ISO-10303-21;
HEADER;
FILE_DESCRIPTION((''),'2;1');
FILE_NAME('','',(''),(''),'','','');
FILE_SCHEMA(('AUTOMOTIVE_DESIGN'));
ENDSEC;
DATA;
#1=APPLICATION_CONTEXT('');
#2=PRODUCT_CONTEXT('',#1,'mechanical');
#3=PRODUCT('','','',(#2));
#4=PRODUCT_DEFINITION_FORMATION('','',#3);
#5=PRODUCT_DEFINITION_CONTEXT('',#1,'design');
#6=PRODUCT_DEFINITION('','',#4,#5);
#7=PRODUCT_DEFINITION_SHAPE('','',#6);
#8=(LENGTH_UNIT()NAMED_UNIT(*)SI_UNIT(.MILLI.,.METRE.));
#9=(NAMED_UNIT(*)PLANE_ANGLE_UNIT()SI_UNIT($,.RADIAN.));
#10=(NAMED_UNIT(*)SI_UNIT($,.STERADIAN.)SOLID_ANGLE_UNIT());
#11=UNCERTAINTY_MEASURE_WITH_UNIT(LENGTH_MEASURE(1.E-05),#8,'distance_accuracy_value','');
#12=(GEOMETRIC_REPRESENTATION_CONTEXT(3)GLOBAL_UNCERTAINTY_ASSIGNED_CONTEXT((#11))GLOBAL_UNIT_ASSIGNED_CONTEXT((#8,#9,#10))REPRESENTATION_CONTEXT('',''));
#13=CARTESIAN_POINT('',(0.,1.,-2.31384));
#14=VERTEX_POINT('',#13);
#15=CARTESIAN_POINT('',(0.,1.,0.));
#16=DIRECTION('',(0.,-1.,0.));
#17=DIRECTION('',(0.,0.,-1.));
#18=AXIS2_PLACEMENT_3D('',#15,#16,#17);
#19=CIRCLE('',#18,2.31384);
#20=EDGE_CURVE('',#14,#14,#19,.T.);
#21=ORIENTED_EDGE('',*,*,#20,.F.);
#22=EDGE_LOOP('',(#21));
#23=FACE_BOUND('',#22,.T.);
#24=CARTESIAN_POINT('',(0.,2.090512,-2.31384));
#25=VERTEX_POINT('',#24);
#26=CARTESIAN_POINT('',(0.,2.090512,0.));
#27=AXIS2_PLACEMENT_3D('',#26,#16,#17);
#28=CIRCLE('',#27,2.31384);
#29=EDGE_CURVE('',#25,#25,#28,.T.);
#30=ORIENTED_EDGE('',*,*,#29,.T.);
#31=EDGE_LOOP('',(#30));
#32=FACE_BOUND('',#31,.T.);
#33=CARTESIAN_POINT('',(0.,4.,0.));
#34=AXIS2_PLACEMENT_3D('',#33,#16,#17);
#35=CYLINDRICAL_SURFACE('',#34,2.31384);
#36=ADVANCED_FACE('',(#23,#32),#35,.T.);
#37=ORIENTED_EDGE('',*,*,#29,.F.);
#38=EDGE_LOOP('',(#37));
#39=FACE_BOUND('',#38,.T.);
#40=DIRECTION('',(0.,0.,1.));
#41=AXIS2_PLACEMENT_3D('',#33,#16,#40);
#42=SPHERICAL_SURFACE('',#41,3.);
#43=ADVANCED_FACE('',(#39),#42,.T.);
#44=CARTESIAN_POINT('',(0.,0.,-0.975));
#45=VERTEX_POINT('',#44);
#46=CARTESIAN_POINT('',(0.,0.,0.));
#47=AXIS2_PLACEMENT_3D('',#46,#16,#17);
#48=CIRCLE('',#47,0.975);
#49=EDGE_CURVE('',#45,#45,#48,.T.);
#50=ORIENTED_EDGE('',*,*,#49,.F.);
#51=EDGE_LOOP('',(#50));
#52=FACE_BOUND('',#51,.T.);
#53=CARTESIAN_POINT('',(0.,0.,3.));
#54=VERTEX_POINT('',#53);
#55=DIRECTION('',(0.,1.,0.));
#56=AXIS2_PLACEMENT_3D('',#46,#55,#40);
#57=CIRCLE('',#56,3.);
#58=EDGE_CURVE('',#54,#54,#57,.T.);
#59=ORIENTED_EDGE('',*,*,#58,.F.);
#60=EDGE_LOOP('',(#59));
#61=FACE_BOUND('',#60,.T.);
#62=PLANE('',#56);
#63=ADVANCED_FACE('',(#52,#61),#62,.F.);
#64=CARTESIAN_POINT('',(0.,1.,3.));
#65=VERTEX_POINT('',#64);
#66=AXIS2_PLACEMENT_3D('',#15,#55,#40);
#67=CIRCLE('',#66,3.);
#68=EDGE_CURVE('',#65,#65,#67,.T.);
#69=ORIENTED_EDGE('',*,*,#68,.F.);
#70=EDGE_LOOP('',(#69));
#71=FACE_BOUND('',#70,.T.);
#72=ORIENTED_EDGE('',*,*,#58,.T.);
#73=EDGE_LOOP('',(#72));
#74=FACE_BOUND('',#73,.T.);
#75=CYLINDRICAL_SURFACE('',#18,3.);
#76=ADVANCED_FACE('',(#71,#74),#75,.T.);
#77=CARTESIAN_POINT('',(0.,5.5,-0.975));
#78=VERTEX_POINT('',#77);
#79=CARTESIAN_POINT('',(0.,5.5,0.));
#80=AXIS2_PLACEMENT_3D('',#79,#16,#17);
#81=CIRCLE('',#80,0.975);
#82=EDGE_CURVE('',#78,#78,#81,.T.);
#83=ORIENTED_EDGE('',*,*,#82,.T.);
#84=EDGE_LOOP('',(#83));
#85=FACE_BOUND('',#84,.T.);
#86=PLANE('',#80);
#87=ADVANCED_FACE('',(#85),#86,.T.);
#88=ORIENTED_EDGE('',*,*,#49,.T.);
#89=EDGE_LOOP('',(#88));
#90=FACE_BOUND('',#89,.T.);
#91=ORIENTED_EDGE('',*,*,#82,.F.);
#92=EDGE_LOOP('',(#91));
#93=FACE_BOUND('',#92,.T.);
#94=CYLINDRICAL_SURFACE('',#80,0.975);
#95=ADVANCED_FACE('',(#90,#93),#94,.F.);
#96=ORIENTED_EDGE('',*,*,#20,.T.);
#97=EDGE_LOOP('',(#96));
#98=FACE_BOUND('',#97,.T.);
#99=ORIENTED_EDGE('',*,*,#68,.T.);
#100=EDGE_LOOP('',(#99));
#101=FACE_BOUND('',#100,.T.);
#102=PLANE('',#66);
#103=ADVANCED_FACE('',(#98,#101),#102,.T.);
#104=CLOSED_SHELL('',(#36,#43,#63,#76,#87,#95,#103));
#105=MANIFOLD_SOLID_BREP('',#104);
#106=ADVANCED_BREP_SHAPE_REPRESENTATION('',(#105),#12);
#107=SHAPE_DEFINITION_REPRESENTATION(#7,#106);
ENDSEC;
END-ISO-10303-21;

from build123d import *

# Parameters (mm, degrees)
SKETCH1_R           = 3
BOSS_EXTRUDE1_DEPTH = 1
SKETCH4_R           = 0.975
CUT_EXTRUDE1_DEPTH  = 5.5


with BuildPart() as part:
    # Sketch1 → Boss-Extrude1 (new body)
    with BuildSketch(Plane(origin=(0, 0, 0), x_dir=(1, 0, 0), z_dir=(0, 1, 0))):
        with Locations(Location((0, 0, 0), (0, 0, 270))):
            Circle(SKETCH1_R)
    extrude(amount=BOSS_EXTRUDE1_DEPTH)

    # Sketch3 → Revolve2 (revolve)
    with BuildSketch(Plane(origin=(0, 0, 0), x_dir=(0, 0, -1), z_dir=(1, 0, 0))):
        with BuildLine():
            Line((-1.156919819, 1), (0, 1))
            Line((0, 1), (0, 4))
            Line((0, 4), (0, 7))
            ThreePointArc((0, 7), (-2.121320344, 6.121320344), (-3, 4))
            ThreePointArc((-3, 4), (-2.823253346, 2.98548507), (-2.313839638, 2.090511553))
            Line((-2.313839638, 2.090511553), (-2.313839638, 1))
            Line((-2.313839638, 1), (-1.156919819, 1))
        make_face()
    revolve(axis=Axis((0, 4, 0), (0, 1, 0)))

    # Sketch4 → Cut-Extrude1 (cut)
    with BuildSketch(Plane.XZ):
        with Locations(Location((0, 0, 0), (0, 0, 270))):
            Circle(SKETCH4_R)
    extrude(amount=-CUT_EXTRUDE1_DEPTH, mode=Mode.SUBTRACT)


solid = part.part
